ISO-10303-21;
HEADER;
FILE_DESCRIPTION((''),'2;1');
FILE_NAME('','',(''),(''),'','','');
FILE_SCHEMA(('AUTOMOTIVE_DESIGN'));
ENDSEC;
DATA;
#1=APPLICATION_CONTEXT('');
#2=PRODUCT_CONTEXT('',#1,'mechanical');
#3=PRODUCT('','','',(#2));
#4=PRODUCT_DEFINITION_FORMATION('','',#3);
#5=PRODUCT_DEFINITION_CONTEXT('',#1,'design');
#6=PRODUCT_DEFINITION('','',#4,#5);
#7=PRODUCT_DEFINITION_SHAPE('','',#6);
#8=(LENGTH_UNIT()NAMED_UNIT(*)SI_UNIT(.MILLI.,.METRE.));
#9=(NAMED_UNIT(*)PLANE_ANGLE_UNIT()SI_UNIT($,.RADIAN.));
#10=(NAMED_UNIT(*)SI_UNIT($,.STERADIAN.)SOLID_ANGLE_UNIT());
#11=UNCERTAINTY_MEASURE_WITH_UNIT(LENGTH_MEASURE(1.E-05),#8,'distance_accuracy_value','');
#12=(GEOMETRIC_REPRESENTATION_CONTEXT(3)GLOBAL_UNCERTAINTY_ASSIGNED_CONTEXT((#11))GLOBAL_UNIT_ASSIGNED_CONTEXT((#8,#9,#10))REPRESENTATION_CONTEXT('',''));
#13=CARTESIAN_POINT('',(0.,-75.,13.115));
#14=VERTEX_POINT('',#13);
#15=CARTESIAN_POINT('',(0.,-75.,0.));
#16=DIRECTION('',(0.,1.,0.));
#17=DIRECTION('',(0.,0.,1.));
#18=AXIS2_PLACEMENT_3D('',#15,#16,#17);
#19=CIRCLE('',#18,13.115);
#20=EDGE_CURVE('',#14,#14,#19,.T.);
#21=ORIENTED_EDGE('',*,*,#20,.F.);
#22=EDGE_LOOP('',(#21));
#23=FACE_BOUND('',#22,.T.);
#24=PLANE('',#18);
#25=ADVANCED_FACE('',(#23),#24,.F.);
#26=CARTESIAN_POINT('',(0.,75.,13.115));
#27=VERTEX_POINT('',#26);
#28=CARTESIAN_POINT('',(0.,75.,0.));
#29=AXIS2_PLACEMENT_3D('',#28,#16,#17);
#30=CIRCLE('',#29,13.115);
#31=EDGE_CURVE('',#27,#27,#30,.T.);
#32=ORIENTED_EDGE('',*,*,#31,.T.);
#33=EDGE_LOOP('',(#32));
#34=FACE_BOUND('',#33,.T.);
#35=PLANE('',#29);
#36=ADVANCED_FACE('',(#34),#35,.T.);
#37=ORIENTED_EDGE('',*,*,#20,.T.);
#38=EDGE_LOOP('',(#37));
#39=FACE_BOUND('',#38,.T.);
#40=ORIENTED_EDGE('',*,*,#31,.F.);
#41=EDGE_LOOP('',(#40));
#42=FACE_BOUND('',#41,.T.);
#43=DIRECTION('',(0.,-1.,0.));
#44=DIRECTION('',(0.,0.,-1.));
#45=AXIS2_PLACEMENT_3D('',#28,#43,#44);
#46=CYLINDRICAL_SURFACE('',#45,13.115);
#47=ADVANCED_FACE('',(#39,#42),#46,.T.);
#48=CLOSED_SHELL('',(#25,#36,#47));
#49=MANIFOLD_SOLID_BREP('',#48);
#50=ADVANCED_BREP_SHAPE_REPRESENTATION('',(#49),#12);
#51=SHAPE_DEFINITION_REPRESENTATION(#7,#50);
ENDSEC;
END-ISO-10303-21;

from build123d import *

# Parameters (mm, degrees)
SKETCH2_R           = 13.115
BOSS_EXTRUDE1_DEPTH = 75


with BuildPart() as part:
    # Sketch2 → Boss-Extrude1 (new body, symmetric)
    with BuildSketch(Plane(origin=(0, 0, 0), x_dir=(1, 0, 0), z_dir=(0, 1, 0))):
        Circle(SKETCH2_R)
    extrude(amount=BOSS_EXTRUDE1_DEPTH, both=True)


solid = part.part
